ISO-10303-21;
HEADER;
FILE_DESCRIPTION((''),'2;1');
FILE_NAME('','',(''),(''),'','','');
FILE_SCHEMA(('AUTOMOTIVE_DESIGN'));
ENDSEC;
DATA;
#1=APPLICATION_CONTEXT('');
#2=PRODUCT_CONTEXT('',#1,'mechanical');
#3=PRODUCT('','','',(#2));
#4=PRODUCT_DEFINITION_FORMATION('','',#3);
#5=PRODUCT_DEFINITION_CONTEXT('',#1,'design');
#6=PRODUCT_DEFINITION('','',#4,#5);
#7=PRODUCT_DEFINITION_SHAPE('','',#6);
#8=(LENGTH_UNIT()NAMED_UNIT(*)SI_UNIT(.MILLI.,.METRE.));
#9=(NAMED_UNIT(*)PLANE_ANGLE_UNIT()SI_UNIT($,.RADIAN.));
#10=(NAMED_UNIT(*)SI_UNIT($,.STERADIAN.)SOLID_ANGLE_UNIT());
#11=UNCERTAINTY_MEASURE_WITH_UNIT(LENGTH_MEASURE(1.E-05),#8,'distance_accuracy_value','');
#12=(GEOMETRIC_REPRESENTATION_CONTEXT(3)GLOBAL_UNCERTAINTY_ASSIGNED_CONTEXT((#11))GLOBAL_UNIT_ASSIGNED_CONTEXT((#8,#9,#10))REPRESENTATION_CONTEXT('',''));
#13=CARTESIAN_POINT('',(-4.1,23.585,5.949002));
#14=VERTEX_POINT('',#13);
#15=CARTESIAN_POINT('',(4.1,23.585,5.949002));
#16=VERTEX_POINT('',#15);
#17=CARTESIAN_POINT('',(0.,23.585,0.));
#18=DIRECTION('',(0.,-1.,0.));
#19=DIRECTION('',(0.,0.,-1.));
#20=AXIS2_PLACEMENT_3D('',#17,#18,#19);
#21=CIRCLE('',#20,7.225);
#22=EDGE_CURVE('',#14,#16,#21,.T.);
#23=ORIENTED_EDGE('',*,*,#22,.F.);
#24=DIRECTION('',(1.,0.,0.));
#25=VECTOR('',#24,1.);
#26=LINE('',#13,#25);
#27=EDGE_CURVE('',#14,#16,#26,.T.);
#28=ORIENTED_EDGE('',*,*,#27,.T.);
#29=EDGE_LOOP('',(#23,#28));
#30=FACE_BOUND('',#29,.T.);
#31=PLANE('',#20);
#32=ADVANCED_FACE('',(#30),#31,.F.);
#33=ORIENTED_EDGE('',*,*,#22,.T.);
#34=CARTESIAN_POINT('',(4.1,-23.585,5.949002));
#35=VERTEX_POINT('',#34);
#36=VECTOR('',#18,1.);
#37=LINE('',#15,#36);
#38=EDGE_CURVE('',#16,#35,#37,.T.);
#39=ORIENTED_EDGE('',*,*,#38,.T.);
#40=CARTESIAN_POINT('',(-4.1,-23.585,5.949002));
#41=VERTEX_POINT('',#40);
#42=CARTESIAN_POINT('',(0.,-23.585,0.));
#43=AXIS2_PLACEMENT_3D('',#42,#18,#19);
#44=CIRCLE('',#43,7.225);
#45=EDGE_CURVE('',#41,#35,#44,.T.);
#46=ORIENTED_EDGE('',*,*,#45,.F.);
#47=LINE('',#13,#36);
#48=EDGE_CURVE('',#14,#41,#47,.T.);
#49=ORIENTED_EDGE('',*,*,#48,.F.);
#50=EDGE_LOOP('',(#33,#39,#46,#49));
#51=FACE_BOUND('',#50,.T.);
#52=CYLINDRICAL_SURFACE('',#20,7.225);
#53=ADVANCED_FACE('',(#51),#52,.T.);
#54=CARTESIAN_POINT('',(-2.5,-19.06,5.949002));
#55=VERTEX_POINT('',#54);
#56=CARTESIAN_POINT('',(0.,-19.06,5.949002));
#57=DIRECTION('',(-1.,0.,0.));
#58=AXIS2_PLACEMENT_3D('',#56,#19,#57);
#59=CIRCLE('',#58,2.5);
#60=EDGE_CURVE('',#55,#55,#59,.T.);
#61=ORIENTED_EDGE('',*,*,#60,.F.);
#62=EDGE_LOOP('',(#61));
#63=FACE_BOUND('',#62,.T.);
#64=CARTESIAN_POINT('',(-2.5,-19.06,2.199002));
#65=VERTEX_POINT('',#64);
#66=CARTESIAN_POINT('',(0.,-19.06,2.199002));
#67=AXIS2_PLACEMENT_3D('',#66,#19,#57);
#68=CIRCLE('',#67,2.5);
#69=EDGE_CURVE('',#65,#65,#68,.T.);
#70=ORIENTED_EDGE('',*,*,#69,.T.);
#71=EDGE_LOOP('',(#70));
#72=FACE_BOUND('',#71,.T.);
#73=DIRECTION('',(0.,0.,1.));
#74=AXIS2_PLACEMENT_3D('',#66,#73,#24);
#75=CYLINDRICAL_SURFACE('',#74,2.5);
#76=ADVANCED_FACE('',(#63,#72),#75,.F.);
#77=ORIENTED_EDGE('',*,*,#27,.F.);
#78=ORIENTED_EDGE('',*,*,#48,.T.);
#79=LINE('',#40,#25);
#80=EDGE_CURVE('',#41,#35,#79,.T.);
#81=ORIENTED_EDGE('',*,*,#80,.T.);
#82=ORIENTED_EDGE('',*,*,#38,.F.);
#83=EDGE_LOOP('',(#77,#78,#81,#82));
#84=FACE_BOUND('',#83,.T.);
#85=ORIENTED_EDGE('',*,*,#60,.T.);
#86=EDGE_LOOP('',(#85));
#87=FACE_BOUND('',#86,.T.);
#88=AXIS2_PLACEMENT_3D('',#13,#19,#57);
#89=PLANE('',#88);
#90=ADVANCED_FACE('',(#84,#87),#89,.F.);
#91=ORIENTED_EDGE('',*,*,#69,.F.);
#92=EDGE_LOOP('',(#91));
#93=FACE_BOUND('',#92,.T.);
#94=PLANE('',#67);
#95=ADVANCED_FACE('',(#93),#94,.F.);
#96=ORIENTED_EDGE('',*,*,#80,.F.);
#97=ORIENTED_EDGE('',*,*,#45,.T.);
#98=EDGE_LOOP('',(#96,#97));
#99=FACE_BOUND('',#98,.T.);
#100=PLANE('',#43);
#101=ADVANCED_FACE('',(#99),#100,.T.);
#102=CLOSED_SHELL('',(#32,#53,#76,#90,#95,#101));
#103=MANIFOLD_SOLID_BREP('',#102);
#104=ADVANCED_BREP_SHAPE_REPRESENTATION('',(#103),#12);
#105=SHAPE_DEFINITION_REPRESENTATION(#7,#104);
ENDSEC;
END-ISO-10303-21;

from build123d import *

# Parameters (mm, degrees)
BOSS_EXTRU_1_DEPTH      = 23.585
ENL_V_START             = 5.949002
ESQUISSE4_OUTSIDE_W     = 26.662
ESQUISSE4_OUTSIDE_H     = 59.382
ESQUISSE4_OUTSIDE_W_2   = 228.2
ESQUISSE4_OUTSIDE_H_2   = 267.17
ESQUISSE4_OUTSIDE_R     = 2.5
ENL_V_MAT_EXTRU_5_DEPTH = 3.75


with BuildPart() as part:
    # Esquisse2 → Boss.-Extru.1 (new body, symmetric)
    with BuildSketch(Plane(origin=(0, 0, 0), x_dir=(1, 0, 0), z_dir=(0, 1, 0))):
        with BuildLine():
            Line((-4.1, -5.949002017), (4.1, -5.949002017))
            ThreePointArc((4.1, -5.949002017), (0, 7.225), (-4.1, -5.949002017))
        make_face()
    extrude(amount=BOSS_EXTRU_1_DEPTH, both=True)

    # Esquisse4 outside → Enlèv. mat.-Extru.5 (cut)
    with BuildSketch(Plane.XY.offset(ENL_V_START)):
        Rectangle(ESQUISSE4_OUTSIDE_W, ESQUISSE4_OUTSIDE_H)
        Rectangle(ESQUISSE4_OUTSIDE_W_2, ESQUISSE4_OUTSIDE_H_2, mode=Mode.SUBTRACT)
        with Locations(Location((0, -19.06, 0), (0, 0, 180))):  # turned: the seam where the file's is
            Circle(ESQUISSE4_OUTSIDE_R)
    extrude(amount=-ENL_V_MAT_EXTRU_5_DEPTH, mode=Mode.SUBTRACT)


solid = part.part
